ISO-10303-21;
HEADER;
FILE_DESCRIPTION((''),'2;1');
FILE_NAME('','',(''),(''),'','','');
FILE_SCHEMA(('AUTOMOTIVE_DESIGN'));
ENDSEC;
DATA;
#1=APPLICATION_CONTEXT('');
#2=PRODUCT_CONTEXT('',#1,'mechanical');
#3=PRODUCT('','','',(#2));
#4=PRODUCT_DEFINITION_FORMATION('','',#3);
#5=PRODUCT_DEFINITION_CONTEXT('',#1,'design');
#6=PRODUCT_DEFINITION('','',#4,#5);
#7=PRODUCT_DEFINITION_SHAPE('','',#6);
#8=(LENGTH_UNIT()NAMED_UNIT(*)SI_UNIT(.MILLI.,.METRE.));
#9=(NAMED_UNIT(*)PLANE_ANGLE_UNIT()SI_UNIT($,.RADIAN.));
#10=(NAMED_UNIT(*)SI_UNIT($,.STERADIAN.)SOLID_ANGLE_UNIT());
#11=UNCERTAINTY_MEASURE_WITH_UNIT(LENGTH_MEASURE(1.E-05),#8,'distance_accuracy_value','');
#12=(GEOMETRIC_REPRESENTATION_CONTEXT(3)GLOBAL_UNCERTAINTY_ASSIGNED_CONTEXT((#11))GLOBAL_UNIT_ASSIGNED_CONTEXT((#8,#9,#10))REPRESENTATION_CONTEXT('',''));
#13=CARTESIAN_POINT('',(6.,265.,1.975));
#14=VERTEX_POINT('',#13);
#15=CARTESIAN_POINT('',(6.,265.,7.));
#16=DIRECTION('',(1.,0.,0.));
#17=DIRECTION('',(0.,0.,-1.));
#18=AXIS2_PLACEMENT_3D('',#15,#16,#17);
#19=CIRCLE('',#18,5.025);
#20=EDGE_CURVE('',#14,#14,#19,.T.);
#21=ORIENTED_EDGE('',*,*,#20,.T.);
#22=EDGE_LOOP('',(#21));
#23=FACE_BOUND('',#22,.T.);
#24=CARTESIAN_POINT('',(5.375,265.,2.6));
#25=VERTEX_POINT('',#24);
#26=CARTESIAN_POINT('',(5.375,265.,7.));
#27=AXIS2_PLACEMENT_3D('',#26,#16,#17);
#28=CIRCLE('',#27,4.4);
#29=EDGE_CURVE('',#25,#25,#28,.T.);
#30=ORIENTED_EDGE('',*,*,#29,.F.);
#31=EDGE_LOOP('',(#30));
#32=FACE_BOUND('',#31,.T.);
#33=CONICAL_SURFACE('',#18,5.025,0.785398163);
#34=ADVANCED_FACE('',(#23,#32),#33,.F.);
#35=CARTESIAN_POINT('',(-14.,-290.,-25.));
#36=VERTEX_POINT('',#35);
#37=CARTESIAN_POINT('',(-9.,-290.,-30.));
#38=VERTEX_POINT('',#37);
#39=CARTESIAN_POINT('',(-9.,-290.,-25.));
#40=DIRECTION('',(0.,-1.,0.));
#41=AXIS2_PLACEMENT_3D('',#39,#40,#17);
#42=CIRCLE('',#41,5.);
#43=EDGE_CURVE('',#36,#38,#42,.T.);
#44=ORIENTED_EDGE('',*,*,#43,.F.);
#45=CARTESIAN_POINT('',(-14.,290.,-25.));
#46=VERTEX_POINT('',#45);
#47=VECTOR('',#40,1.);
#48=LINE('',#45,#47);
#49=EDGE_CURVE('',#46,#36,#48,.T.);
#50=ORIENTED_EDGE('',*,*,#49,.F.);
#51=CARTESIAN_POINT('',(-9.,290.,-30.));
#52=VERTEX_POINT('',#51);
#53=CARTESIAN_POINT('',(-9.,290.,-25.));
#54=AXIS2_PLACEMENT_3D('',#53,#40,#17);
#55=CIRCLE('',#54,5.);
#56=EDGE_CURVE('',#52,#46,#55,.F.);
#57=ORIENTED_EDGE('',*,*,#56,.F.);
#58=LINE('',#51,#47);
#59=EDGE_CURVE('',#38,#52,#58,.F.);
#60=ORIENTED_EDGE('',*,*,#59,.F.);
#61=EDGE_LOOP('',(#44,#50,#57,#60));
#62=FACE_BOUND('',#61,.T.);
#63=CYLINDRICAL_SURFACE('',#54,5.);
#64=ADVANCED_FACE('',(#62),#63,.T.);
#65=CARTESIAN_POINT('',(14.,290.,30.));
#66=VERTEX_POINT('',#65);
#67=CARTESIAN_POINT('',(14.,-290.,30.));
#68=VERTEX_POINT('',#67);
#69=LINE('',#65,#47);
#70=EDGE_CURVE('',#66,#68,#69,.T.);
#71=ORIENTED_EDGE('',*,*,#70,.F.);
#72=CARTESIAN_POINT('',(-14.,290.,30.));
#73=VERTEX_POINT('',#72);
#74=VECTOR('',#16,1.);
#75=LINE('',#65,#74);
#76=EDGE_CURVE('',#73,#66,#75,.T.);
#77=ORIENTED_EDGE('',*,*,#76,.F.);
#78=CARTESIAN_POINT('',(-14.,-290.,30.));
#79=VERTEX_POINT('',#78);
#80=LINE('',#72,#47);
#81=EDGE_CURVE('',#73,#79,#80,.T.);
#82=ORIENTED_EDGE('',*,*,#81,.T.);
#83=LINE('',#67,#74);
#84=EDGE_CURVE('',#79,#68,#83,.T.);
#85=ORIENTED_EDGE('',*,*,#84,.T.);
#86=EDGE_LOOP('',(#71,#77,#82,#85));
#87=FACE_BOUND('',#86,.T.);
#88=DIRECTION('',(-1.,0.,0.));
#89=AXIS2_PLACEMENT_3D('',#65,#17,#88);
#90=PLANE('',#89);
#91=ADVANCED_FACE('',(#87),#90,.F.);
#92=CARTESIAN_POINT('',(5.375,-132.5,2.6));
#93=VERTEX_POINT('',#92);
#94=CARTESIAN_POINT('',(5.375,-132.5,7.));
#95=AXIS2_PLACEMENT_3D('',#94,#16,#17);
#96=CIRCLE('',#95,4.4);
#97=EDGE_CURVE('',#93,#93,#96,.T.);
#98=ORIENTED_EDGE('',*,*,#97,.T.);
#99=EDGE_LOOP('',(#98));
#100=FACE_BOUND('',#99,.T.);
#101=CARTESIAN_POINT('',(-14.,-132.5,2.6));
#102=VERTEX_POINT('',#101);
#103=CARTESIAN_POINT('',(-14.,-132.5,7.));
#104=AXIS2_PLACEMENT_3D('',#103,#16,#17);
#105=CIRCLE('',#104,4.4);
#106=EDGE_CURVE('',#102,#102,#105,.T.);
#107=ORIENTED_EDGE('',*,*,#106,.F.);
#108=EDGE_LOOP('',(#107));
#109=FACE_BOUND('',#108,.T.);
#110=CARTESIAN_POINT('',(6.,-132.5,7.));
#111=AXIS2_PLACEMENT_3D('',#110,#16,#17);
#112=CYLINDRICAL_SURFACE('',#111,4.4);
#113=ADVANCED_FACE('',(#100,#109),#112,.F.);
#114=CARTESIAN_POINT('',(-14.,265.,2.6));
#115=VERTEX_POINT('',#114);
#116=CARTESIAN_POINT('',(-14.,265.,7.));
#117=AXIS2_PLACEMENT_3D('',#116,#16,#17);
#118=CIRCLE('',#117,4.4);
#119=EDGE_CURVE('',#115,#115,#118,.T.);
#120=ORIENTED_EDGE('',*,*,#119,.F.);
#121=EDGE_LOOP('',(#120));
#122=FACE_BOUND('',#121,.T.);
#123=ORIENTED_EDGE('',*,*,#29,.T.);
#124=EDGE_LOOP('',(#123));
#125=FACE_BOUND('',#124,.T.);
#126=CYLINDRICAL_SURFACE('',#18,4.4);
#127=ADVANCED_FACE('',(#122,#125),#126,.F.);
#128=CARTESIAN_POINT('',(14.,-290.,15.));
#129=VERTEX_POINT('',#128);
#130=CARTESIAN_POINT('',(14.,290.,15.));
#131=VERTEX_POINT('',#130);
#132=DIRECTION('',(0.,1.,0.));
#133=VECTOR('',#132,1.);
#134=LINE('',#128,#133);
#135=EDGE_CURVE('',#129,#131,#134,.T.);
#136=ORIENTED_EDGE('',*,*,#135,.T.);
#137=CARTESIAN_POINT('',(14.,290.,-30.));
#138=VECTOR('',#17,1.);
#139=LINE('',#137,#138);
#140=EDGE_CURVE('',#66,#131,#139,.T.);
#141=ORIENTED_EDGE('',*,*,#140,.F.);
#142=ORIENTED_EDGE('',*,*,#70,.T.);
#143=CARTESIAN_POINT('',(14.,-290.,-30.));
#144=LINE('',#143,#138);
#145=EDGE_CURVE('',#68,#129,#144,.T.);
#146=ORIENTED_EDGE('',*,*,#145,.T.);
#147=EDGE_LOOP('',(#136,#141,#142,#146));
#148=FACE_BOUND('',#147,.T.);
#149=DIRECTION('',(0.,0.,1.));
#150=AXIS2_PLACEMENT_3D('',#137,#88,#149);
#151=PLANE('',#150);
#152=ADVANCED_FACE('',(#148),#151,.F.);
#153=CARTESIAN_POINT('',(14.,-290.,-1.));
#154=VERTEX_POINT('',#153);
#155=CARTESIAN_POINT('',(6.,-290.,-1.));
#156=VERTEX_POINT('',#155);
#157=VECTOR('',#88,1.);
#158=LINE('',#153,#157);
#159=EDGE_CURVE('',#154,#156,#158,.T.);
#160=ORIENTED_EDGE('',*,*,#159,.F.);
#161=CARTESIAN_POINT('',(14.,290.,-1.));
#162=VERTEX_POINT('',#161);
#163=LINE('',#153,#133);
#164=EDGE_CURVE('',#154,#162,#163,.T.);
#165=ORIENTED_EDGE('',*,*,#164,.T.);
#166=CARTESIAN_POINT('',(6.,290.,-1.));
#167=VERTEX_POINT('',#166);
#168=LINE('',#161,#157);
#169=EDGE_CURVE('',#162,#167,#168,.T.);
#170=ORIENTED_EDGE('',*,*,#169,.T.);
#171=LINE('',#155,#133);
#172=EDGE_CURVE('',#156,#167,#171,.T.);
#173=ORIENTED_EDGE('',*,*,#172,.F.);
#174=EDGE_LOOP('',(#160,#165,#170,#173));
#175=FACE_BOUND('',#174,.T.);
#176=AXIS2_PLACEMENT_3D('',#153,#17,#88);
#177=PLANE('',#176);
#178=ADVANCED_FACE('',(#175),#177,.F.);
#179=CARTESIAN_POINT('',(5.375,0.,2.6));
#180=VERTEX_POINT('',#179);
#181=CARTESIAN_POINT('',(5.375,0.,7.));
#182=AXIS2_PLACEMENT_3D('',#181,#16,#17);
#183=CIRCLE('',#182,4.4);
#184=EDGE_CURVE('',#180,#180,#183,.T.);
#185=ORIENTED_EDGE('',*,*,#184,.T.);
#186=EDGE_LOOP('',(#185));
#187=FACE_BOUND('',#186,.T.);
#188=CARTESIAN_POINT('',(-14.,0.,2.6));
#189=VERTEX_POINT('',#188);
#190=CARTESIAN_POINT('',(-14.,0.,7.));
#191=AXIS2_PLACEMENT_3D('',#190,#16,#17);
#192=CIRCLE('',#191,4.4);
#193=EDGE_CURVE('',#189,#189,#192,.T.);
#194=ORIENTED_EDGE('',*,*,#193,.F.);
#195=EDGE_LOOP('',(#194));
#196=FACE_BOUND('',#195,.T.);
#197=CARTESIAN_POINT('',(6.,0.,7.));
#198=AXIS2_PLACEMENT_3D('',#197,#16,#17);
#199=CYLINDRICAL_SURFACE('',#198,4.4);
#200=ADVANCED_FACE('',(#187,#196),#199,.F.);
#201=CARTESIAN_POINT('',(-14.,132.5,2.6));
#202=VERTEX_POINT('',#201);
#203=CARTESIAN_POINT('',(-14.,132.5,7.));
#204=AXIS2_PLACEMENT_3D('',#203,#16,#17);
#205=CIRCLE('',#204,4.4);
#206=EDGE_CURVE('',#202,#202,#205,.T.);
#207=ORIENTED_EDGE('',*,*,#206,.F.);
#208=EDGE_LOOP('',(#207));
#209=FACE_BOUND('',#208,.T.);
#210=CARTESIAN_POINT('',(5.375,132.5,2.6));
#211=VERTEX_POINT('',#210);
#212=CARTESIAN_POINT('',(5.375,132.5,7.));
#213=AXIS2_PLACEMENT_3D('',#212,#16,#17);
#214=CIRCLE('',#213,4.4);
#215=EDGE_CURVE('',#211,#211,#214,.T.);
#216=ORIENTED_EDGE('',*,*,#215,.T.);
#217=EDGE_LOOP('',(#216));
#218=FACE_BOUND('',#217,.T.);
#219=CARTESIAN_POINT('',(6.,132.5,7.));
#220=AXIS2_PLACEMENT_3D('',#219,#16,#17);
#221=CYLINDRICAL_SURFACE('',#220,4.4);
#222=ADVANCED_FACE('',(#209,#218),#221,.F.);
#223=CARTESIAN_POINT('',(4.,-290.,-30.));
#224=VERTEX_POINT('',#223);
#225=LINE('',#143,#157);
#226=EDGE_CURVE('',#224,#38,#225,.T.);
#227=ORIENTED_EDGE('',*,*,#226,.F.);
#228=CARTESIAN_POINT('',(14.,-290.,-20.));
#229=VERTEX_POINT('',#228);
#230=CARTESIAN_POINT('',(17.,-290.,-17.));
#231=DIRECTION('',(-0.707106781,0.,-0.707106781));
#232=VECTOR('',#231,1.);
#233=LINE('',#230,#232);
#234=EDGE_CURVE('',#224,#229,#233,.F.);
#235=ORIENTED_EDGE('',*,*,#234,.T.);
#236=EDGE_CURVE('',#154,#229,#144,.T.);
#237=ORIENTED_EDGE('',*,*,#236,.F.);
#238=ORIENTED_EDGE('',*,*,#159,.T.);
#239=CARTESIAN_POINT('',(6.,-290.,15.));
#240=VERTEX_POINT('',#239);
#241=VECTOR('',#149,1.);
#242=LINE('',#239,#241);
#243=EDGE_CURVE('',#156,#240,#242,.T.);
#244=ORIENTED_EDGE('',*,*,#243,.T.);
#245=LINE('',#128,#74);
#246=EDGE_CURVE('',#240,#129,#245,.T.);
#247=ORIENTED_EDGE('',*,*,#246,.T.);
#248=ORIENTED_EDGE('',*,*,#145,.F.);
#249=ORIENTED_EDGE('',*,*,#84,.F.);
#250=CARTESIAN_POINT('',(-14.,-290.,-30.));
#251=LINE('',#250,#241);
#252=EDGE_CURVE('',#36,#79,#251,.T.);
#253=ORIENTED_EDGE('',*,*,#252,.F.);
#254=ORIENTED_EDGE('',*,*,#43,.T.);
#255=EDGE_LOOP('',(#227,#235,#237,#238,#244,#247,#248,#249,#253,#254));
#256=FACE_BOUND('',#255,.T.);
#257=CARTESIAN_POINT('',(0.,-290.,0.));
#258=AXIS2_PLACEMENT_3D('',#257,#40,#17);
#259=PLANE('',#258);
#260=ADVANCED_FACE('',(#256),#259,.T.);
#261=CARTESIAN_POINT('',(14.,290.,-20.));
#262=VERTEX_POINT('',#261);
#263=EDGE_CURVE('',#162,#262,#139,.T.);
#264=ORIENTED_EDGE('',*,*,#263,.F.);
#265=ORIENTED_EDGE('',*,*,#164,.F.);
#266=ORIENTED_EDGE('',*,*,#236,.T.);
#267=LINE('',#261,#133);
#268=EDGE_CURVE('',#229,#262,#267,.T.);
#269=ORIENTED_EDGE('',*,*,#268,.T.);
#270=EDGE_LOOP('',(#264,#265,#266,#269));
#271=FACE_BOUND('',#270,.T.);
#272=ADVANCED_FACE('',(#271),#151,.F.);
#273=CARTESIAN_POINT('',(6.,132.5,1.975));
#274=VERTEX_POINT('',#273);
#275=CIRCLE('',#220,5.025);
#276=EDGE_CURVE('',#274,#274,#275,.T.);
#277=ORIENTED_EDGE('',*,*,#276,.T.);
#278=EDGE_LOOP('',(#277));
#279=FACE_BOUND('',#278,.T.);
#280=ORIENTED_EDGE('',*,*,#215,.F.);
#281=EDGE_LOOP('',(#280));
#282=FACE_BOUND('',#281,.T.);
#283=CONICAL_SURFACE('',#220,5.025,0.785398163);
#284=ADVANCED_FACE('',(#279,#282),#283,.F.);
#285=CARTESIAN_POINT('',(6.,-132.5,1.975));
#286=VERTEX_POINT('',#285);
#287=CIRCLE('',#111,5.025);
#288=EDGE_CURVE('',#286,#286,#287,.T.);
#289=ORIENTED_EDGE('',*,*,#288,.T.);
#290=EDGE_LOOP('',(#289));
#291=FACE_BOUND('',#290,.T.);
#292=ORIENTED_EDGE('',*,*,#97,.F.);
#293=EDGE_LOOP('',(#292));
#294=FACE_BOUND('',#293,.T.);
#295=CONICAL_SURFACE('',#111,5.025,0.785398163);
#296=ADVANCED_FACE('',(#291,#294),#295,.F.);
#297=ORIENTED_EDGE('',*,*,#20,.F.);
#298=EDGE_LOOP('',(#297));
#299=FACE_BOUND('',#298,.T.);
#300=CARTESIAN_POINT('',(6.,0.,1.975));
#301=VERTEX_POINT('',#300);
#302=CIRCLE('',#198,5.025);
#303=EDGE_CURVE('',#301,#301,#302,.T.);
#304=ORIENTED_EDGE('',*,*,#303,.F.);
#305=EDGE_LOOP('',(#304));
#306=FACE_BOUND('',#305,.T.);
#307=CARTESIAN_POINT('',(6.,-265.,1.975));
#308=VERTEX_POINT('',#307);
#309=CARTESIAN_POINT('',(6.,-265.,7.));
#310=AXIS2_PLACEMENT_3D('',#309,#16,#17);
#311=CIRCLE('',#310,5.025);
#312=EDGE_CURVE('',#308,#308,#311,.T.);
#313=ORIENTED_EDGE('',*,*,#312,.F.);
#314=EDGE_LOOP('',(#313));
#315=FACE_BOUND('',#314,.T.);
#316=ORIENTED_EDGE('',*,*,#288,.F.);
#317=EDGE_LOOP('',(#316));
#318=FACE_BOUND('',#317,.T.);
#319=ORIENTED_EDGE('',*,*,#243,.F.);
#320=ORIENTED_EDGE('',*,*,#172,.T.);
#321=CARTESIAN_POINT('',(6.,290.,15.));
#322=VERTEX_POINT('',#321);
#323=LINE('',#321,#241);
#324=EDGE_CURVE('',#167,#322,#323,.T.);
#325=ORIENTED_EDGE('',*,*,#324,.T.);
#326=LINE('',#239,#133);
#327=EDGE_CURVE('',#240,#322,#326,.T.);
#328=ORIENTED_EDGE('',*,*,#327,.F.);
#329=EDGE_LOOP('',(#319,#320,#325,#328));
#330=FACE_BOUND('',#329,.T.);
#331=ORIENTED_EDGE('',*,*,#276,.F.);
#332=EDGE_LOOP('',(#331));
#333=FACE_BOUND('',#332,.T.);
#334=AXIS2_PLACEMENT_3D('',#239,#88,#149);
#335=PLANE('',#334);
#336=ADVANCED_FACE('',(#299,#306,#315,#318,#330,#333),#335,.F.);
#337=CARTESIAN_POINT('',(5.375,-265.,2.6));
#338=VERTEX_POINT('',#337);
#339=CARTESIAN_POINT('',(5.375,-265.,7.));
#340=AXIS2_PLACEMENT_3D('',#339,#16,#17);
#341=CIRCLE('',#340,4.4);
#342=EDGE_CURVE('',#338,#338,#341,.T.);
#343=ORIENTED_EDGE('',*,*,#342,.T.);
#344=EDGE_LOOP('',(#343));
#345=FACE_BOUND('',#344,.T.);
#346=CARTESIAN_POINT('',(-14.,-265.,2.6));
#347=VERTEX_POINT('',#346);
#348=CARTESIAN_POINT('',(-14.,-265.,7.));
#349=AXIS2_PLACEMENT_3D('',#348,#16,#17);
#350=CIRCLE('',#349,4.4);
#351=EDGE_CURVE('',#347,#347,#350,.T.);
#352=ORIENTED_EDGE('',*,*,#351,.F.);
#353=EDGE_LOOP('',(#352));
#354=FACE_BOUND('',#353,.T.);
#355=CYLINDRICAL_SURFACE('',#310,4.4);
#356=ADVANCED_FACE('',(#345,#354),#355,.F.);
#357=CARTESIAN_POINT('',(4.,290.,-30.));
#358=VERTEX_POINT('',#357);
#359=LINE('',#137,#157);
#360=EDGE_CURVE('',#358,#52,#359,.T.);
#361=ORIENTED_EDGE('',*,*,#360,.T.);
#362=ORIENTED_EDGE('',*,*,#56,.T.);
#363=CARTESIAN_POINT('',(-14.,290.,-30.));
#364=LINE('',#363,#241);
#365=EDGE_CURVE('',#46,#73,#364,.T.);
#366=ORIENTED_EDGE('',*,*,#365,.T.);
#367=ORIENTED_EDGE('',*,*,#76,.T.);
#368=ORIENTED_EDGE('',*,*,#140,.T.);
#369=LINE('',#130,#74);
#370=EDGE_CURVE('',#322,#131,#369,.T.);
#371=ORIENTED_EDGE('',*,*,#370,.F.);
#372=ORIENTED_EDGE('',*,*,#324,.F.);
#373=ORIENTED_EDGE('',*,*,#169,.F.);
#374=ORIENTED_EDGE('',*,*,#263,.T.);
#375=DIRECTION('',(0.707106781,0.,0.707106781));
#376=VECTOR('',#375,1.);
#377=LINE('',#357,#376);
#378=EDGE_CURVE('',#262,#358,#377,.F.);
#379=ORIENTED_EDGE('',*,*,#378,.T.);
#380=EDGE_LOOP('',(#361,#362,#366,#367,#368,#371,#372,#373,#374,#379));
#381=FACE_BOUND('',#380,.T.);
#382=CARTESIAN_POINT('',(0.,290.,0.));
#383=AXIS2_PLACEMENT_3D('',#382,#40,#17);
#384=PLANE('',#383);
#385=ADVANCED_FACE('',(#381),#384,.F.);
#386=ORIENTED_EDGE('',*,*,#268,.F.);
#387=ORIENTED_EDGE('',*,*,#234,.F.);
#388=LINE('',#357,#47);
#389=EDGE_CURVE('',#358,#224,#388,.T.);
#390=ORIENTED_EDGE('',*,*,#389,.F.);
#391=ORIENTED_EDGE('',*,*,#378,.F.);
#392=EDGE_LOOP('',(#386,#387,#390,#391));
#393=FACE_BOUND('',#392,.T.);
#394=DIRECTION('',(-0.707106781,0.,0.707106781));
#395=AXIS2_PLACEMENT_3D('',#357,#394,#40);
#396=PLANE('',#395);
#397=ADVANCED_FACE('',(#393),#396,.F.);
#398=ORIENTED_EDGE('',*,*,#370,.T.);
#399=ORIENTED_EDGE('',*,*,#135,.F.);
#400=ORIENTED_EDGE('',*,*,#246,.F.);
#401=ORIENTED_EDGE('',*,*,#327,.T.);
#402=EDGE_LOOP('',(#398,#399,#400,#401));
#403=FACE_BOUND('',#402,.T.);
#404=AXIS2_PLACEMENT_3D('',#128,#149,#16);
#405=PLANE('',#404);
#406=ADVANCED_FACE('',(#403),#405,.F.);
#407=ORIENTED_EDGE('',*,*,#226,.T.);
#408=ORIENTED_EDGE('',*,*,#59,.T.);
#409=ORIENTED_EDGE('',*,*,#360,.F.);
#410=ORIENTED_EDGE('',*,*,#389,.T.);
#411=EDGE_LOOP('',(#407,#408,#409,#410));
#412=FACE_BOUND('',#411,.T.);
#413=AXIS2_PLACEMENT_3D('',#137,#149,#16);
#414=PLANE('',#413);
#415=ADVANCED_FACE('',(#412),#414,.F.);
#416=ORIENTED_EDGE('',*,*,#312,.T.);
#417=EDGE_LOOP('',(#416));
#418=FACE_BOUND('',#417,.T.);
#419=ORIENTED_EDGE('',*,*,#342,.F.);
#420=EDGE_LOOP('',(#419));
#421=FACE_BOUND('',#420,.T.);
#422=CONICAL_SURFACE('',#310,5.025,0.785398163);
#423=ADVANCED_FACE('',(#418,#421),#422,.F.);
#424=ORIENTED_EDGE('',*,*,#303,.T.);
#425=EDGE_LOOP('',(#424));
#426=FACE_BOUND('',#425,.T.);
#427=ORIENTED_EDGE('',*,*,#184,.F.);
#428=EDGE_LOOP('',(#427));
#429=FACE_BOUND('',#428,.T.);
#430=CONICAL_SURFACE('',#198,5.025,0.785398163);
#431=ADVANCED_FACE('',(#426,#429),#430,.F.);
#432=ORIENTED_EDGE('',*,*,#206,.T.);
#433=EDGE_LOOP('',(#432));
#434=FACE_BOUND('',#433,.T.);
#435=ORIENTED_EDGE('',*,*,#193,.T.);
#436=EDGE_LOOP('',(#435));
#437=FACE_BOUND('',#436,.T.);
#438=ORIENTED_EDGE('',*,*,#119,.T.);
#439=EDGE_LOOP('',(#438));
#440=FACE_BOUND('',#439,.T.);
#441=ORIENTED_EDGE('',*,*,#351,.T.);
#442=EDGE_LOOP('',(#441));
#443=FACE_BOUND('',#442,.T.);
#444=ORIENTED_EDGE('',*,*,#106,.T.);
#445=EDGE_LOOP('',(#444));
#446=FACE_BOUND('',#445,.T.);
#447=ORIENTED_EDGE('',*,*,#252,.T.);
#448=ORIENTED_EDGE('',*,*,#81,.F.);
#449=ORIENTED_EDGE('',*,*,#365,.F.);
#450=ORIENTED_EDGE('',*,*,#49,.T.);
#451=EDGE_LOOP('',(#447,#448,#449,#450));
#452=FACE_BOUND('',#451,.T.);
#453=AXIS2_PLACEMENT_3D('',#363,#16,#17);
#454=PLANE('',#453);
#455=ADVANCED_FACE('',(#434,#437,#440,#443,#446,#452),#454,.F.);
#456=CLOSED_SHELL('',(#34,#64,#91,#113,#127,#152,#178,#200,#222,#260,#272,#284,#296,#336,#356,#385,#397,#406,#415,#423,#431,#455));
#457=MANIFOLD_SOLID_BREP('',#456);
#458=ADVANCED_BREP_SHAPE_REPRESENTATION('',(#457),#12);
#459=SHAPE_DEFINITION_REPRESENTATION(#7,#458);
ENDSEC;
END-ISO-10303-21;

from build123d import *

# Parameters (mm, degrees)
SKETCH2_W                         = 28
SKETCH2_H                         = 60
BOSS_EXTRUDE1_DEPTH               = 290
SKETCH3_W                         = 8
SKETCH3_H                         = 16
CUT_EXTRUDE1_DEPTH                = 581.944059269
CHAMFER1_SIZE                     = 10
FILLET1_R                         = 5
M10X1_25_TAPPED_HOLE1_D           = 8.8
M10X1_25_TAPPED_HOLE1_CSINK_D     = 10.05
M10X1_25_TAPPED_HOLE1_CSINK_ANGLE = 90
LPATTERN1_COUNT                   = 5
LPATTERN1_PITCH                   = 132.5


with BuildPart() as part:
    # Sketch2 → Boss-Extrude1 (new, symmetric)
    with BuildSketch(Plane(origin=(0, 0, 0), x_dir=(-1, 0, 0), z_dir=(0, 1, 0))):
        Rectangle(SKETCH2_W, SKETCH2_H)
    extrude(amount=BOSS_EXTRUDE1_DEPTH, both=True)

    # Sketch3 → Cut-Extrude1 (cut, through all)
    with BuildSketch(Plane(origin=(0, 290, 0), x_dir=(-1, 0, 0), z_dir=(0, 1, 0))):
        with Locations((-10, 7)):
            Rectangle(SKETCH3_W, SKETCH3_H)
    extrude(amount=-CUT_EXTRUDE1_DEPTH, mode=Mode.SUBTRACT)

    # Chamfer1
    chamfer1_edges = [part.edges().sort_by_distance(p)[0] for p in [
        (14, 0, -30),
    ]]
    chamfer(chamfer1_edges, length=CHAMFER1_SIZE)

    # Fillet1
    fillet1_edges = [part.edges().sort_by_distance(p)[0] for p in [
        (-14, 0, -30),
    ]]
    fillet(fillet1_edges, radius=FILLET1_R)

    # M10x1.25 Tapped Hole1 (through all)
    with Locations(Plane.YZ.offset(6)):
        with Locations((-265, 7)):
            m10x1_25_tapped_hole1 = CounterSinkHole(M10X1_25_TAPPED_HOLE1_D / 2, M10X1_25_TAPPED_HOLE1_CSINK_D / 2, counter_sink_angle=M10X1_25_TAPPED_HOLE1_CSINK_ANGLE)

    # LPattern1: M10x1.25 Tapped Hole1 ×5
    with Locations(*[(0, i * LPATTERN1_PITCH, 0) for i in range(1, LPATTERN1_COUNT)]):
        add(m10x1_25_tapped_hole1, mode=Mode.SUBTRACT)


solid = part.part
